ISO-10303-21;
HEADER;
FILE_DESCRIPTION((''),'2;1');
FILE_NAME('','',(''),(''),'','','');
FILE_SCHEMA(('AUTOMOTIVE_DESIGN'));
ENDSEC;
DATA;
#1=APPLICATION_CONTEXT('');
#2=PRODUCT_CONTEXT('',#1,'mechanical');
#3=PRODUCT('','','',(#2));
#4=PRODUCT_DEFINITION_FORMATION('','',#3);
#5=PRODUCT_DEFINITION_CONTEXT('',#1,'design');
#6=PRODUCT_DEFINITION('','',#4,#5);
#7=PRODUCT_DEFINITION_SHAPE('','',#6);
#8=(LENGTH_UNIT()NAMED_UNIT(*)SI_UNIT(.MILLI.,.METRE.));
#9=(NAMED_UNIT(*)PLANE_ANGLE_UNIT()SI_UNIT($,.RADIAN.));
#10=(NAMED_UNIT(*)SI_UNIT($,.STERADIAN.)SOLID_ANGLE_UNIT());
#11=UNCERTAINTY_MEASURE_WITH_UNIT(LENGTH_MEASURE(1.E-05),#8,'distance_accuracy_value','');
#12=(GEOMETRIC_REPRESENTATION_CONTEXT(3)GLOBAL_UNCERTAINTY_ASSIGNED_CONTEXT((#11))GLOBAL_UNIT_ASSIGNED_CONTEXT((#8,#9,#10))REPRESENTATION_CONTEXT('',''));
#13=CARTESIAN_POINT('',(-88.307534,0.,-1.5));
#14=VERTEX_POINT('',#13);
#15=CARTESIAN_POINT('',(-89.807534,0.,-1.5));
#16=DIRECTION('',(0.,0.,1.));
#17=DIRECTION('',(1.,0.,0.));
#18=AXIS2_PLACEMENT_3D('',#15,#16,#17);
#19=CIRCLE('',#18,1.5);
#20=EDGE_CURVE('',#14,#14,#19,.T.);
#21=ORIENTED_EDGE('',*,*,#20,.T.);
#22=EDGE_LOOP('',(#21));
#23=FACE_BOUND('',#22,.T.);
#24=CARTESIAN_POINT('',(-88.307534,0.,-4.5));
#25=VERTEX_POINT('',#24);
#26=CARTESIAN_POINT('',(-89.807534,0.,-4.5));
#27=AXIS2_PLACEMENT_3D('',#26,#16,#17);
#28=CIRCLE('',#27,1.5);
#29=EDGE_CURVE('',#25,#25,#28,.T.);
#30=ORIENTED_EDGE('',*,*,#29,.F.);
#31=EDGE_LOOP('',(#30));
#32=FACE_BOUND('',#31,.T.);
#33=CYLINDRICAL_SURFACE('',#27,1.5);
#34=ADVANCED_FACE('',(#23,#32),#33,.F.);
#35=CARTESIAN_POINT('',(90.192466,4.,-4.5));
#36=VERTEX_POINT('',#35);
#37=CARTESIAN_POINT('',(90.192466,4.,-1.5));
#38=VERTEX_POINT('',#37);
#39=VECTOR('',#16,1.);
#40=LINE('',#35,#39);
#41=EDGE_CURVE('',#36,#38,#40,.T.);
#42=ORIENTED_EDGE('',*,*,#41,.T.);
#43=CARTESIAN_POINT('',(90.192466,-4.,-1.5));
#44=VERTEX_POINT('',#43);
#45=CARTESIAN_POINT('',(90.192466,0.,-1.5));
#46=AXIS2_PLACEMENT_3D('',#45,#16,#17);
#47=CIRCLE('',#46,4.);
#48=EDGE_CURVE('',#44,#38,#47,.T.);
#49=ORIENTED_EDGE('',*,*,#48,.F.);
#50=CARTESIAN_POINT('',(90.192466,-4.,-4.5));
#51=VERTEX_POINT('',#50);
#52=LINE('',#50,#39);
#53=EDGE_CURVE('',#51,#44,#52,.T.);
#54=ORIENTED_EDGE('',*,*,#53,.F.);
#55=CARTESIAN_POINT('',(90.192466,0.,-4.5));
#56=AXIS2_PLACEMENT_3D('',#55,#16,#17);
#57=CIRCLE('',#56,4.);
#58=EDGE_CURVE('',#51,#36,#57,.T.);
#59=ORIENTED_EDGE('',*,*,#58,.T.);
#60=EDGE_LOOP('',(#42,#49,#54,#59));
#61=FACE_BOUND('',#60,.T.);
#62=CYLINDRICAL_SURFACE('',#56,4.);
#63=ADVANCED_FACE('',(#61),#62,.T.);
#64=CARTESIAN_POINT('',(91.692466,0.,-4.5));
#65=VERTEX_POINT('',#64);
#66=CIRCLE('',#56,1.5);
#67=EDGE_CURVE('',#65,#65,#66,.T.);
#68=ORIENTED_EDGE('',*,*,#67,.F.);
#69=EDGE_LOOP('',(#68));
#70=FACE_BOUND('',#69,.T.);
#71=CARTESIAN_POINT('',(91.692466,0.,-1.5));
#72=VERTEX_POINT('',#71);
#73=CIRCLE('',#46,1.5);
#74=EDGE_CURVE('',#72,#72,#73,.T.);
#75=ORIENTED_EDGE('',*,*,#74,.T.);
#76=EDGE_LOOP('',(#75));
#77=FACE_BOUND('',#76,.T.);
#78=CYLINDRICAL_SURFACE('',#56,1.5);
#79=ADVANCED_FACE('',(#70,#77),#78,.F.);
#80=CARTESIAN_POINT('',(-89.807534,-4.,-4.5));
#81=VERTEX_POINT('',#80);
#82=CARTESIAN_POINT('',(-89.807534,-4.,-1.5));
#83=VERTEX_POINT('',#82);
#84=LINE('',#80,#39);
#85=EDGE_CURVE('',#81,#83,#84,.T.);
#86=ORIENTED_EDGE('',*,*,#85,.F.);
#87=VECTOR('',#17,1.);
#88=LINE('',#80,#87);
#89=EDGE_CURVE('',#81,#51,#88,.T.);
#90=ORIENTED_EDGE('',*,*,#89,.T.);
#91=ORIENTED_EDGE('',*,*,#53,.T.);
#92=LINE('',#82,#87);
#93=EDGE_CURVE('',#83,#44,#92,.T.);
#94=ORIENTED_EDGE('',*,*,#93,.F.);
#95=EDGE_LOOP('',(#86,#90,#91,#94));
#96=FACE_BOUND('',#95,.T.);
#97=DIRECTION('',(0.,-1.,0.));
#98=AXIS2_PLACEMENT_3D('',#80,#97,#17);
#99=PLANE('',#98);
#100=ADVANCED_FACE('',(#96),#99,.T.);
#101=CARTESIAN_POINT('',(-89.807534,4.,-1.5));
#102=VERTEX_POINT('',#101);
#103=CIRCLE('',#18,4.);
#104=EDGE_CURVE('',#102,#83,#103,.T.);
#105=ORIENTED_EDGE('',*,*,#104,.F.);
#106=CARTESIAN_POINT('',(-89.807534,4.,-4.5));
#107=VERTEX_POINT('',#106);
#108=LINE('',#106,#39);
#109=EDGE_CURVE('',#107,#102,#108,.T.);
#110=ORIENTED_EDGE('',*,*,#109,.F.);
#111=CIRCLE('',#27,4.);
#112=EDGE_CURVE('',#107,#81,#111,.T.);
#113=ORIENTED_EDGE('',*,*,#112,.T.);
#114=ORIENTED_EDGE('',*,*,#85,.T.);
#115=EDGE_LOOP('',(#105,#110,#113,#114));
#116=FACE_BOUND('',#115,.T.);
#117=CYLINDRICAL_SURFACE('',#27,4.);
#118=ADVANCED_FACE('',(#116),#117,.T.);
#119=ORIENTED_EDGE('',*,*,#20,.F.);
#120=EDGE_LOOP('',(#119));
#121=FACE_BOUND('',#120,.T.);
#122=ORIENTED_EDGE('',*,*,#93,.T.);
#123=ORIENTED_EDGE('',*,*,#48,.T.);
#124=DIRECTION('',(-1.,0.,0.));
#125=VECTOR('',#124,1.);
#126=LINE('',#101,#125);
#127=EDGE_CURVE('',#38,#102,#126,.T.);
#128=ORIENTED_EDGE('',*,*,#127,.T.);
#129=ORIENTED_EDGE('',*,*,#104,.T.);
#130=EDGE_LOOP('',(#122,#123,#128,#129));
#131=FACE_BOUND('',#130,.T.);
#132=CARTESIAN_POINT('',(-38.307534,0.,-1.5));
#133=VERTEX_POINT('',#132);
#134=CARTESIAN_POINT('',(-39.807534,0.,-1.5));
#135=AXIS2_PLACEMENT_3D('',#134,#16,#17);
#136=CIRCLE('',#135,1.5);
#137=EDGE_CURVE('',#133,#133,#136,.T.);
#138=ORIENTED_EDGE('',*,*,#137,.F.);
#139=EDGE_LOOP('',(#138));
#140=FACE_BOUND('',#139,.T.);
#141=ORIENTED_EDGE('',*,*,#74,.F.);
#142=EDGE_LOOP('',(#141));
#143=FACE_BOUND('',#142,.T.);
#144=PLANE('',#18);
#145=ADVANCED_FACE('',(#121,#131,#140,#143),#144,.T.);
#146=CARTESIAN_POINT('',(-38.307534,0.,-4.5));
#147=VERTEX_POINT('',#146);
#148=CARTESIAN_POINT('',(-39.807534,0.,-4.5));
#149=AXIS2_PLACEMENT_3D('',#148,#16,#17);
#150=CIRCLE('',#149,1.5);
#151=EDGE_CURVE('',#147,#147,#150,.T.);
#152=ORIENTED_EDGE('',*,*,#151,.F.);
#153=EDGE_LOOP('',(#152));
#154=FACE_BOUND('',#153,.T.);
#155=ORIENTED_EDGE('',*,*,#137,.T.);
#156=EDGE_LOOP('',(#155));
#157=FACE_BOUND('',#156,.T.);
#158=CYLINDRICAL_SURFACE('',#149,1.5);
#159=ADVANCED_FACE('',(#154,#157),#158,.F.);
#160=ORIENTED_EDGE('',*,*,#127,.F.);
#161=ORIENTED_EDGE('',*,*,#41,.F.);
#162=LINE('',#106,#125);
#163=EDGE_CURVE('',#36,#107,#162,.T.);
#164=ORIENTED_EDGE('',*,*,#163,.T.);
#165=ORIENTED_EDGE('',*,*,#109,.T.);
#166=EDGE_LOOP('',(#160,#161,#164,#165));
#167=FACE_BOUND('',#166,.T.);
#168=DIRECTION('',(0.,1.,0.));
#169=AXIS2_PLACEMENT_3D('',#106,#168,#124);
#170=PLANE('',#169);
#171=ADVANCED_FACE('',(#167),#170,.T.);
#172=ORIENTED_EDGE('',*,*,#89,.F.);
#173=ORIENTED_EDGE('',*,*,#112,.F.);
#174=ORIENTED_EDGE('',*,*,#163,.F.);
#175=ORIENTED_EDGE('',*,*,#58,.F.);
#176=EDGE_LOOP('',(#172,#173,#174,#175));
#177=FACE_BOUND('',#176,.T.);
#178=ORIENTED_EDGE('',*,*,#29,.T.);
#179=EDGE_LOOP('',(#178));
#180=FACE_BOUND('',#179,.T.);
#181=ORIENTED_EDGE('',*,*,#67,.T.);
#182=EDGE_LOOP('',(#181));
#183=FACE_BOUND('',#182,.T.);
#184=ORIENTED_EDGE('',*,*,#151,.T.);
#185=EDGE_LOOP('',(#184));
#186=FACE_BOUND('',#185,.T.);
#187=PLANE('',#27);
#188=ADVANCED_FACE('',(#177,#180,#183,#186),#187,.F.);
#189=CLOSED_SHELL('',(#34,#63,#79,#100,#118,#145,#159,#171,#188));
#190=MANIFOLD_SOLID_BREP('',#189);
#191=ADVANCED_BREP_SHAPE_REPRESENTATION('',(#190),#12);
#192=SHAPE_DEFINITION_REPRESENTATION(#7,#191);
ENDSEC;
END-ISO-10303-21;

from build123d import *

# Parameters (mm, degrees)
SKETCH1_R           = 3
BOSS_EXTRUDE1_DEPTH = 6
SCALE1_SCALE        = 0.5


with BuildPart() as part:
    # Sketch1 → Boss-Extrude1 (new body)
    with BuildSketch(Plane.XY):
        with BuildLine():
            Line((-180, 8), (180, 8))
            ThreePointArc((180, 8), (188, 0), (180, -8))
            Line((180, -8), (-180, -8))
            ThreePointArc((-180, -8), (-188, 0), (-180, 8))
        make_face()
        with Locations((-180, 0)):
            Circle(SKETCH1_R, mode=Mode.SUBTRACT)
        with Locations((-80, 0)):
            Circle(SKETCH1_R, mode=Mode.SUBTRACT)
        with Locations((180, 0)):
            Circle(SKETCH1_R, mode=Mode.SUBTRACT)
    extrude(amount=-BOSS_EXTRUDE1_DEPTH)


with BuildPart() as part_1:
    # Scale1: scaled about (0.384931031, 0, -3)
    add(part.part.scale(SCALE1_SCALE).moved(Location((0.192465515, 0, -1.5))))


solid = part_1.part
